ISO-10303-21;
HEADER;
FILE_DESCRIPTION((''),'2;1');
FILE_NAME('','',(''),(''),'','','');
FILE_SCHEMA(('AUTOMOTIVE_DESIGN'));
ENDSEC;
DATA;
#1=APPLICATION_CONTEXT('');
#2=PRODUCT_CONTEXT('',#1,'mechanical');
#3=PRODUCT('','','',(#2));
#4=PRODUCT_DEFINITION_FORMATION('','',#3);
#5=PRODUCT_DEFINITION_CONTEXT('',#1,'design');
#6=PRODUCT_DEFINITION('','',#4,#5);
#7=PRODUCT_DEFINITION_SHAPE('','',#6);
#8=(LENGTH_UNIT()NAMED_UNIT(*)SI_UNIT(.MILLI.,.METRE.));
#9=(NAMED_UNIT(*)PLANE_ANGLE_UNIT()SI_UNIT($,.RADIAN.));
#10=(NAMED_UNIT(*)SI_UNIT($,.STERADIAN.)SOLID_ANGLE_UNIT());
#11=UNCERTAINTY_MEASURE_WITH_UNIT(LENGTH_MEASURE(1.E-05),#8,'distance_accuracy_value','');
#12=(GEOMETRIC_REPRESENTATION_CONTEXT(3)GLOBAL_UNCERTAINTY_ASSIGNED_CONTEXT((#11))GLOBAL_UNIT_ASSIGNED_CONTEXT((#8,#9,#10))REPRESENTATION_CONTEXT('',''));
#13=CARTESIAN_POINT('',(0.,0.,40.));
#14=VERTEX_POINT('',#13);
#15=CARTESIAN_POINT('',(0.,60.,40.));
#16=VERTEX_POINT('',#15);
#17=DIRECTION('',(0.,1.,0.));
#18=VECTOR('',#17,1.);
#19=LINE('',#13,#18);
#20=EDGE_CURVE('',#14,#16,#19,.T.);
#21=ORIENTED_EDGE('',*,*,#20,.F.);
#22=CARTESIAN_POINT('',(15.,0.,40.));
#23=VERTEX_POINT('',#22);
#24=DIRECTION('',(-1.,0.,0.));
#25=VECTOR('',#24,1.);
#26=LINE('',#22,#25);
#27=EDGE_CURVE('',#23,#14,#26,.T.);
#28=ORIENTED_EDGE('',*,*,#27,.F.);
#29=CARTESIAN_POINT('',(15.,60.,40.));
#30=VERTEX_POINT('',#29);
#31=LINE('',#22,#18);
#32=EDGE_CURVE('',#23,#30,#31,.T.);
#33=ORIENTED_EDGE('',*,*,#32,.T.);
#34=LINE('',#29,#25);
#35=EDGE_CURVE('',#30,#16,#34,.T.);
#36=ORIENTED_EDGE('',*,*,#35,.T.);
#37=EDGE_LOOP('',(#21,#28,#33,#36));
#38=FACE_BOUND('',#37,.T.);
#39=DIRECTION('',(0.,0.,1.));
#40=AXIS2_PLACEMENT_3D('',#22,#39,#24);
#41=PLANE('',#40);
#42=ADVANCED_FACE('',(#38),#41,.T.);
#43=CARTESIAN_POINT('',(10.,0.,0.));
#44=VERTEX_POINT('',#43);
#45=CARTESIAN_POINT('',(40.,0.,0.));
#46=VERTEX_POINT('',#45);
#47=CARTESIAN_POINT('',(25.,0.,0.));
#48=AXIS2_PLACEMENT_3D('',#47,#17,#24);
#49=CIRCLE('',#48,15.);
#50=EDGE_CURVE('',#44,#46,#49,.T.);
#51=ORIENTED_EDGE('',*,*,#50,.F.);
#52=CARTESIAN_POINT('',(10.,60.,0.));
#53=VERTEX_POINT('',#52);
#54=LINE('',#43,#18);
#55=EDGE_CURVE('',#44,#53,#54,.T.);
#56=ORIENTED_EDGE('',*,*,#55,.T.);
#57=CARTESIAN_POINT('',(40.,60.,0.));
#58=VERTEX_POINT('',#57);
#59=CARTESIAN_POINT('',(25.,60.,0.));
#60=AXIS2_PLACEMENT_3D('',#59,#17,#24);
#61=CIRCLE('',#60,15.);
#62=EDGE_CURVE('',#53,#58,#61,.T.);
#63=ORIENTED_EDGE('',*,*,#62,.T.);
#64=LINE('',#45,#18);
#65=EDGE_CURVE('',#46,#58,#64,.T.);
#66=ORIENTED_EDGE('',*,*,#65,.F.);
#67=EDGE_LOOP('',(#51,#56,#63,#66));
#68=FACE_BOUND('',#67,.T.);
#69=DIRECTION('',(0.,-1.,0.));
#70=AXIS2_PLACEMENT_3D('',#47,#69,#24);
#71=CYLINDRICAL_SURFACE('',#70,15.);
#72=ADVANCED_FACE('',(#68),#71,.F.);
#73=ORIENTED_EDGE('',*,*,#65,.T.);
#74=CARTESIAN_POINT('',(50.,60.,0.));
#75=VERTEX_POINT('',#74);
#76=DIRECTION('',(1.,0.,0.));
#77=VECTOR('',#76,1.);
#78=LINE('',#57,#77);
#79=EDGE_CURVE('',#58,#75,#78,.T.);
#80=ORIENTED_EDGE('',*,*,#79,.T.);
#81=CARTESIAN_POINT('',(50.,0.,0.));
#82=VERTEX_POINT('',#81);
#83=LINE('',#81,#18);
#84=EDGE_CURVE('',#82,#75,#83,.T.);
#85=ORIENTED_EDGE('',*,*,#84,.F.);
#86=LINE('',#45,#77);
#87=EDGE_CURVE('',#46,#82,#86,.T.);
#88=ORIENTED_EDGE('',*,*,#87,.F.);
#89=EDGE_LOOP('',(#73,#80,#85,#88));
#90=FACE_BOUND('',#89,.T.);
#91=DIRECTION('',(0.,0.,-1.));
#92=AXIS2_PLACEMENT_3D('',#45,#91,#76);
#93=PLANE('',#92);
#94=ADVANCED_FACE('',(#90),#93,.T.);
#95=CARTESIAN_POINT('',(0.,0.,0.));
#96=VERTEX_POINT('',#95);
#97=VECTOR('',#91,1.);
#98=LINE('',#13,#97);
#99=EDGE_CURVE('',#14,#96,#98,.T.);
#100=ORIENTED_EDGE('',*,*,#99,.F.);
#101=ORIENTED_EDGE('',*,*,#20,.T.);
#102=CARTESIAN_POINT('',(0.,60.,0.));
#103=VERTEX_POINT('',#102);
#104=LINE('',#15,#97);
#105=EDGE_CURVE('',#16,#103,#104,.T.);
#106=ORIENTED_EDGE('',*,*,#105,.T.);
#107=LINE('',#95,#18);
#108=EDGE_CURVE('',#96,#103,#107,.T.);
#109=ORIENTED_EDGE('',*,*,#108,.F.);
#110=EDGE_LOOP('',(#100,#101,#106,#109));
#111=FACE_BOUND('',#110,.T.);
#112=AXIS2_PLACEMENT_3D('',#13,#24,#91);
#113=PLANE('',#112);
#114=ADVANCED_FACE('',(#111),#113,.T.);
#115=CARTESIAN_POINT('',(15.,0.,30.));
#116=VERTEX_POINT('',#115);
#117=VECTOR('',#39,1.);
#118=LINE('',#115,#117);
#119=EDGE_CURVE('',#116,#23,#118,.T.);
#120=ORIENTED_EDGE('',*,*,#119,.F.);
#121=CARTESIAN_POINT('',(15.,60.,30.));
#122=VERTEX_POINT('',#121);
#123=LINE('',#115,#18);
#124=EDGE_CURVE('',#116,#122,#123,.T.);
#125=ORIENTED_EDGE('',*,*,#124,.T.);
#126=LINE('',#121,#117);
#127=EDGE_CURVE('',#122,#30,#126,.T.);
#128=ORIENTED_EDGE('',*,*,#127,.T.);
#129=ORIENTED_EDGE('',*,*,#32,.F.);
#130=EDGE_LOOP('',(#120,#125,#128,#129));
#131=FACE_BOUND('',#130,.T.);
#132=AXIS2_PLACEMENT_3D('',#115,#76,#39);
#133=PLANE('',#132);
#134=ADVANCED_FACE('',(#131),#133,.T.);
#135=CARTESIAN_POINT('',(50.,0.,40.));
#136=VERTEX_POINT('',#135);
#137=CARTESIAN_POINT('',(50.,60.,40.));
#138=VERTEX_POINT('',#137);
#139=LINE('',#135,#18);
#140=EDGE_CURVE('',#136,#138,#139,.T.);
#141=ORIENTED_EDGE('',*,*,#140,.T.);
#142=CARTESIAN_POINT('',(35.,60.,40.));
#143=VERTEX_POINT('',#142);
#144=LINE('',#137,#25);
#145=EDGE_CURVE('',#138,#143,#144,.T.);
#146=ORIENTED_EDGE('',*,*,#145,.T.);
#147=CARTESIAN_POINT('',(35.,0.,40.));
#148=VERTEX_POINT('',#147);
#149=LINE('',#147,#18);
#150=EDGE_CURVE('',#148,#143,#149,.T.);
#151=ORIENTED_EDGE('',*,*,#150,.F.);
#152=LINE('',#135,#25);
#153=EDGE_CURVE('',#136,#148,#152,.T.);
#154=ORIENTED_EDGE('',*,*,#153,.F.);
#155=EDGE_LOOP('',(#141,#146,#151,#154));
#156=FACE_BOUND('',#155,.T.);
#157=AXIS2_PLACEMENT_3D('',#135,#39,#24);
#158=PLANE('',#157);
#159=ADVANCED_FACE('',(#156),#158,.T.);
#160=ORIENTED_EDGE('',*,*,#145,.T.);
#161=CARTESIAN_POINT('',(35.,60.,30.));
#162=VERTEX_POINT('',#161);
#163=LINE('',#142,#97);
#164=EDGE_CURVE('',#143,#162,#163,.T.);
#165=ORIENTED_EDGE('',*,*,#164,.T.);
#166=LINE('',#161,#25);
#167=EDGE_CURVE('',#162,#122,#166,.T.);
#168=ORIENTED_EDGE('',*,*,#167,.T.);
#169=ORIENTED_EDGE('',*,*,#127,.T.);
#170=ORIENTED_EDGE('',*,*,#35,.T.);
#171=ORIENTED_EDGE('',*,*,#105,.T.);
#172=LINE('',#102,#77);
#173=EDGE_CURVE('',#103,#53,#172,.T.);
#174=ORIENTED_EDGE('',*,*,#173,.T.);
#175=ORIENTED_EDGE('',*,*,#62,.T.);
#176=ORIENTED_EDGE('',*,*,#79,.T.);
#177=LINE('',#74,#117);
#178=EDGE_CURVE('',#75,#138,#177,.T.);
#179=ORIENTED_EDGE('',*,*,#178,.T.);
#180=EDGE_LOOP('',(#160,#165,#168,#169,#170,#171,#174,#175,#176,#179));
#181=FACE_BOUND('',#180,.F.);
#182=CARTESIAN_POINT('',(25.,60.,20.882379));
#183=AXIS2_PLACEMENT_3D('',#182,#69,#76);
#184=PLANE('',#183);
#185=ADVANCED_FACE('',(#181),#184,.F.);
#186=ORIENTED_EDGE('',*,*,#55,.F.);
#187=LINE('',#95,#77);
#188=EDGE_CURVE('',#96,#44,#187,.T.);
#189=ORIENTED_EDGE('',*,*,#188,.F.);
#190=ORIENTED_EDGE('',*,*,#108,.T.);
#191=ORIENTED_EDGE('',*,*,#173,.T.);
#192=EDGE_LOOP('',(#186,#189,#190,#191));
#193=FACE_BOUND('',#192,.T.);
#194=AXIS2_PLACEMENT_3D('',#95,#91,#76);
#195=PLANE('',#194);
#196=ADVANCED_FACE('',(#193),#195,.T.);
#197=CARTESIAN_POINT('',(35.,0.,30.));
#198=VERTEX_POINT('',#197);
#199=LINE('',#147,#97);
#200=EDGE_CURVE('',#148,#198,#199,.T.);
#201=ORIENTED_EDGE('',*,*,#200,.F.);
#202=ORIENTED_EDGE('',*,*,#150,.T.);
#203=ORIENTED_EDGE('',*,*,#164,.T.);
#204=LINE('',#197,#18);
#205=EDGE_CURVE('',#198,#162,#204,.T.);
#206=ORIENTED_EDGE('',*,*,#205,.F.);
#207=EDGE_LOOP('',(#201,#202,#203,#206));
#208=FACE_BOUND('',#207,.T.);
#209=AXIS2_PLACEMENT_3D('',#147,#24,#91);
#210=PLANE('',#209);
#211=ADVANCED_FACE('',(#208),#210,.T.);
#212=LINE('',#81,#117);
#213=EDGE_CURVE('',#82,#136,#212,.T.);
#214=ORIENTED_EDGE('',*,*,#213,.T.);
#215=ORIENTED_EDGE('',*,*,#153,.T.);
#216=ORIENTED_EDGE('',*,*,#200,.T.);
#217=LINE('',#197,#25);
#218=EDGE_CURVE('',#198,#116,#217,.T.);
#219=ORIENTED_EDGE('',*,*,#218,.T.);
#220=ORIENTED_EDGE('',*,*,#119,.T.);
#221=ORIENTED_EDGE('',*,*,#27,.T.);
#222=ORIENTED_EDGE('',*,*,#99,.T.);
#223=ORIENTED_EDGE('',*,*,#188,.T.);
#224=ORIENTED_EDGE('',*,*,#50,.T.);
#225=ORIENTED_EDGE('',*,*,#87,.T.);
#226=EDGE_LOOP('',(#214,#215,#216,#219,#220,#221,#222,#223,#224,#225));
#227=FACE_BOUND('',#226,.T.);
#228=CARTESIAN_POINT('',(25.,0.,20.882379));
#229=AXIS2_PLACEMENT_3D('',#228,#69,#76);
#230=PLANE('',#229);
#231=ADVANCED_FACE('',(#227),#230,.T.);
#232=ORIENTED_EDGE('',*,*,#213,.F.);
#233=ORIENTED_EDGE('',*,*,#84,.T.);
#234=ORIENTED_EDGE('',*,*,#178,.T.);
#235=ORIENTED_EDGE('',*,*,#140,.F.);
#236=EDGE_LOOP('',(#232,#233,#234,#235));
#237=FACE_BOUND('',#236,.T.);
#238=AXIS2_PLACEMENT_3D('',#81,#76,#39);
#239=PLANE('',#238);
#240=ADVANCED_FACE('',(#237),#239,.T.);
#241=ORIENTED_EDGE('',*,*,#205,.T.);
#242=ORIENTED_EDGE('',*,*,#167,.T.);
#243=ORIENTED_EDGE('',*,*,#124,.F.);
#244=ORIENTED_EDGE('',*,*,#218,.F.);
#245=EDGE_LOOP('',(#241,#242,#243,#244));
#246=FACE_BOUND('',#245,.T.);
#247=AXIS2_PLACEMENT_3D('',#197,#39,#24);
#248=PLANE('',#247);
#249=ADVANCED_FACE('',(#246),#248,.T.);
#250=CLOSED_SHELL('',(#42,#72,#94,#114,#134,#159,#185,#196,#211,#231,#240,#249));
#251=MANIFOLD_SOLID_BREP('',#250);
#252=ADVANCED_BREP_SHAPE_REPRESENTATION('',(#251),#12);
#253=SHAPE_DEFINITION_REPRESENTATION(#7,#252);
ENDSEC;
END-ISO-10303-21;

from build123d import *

# Parameters (mm, degrees)
F1_DEPTH = 60


with BuildPart() as f1:
    # F0 (on Front) → F1 (new body)
    with BuildSketch(Plane.XZ):
        with BuildLine():
            Line((0, 40), (0, 0))
            Line((0, 0), (10, 0))
            ThreePointArc((10, 0), (25, 15), (40, 0))
            Line((40, 0), (50, 0))
            Line((50, 0), (50, 40))
            Line((50, 40), (35, 40))
            Line((35, 40), (35, 30))
            Line((35, 30), (15, 30))
            Line((15, 30), (15, 40))
            Line((15, 40), (0, 40))
        make_face()
    extrude(amount=-F1_DEPTH)


solid = f1.part
